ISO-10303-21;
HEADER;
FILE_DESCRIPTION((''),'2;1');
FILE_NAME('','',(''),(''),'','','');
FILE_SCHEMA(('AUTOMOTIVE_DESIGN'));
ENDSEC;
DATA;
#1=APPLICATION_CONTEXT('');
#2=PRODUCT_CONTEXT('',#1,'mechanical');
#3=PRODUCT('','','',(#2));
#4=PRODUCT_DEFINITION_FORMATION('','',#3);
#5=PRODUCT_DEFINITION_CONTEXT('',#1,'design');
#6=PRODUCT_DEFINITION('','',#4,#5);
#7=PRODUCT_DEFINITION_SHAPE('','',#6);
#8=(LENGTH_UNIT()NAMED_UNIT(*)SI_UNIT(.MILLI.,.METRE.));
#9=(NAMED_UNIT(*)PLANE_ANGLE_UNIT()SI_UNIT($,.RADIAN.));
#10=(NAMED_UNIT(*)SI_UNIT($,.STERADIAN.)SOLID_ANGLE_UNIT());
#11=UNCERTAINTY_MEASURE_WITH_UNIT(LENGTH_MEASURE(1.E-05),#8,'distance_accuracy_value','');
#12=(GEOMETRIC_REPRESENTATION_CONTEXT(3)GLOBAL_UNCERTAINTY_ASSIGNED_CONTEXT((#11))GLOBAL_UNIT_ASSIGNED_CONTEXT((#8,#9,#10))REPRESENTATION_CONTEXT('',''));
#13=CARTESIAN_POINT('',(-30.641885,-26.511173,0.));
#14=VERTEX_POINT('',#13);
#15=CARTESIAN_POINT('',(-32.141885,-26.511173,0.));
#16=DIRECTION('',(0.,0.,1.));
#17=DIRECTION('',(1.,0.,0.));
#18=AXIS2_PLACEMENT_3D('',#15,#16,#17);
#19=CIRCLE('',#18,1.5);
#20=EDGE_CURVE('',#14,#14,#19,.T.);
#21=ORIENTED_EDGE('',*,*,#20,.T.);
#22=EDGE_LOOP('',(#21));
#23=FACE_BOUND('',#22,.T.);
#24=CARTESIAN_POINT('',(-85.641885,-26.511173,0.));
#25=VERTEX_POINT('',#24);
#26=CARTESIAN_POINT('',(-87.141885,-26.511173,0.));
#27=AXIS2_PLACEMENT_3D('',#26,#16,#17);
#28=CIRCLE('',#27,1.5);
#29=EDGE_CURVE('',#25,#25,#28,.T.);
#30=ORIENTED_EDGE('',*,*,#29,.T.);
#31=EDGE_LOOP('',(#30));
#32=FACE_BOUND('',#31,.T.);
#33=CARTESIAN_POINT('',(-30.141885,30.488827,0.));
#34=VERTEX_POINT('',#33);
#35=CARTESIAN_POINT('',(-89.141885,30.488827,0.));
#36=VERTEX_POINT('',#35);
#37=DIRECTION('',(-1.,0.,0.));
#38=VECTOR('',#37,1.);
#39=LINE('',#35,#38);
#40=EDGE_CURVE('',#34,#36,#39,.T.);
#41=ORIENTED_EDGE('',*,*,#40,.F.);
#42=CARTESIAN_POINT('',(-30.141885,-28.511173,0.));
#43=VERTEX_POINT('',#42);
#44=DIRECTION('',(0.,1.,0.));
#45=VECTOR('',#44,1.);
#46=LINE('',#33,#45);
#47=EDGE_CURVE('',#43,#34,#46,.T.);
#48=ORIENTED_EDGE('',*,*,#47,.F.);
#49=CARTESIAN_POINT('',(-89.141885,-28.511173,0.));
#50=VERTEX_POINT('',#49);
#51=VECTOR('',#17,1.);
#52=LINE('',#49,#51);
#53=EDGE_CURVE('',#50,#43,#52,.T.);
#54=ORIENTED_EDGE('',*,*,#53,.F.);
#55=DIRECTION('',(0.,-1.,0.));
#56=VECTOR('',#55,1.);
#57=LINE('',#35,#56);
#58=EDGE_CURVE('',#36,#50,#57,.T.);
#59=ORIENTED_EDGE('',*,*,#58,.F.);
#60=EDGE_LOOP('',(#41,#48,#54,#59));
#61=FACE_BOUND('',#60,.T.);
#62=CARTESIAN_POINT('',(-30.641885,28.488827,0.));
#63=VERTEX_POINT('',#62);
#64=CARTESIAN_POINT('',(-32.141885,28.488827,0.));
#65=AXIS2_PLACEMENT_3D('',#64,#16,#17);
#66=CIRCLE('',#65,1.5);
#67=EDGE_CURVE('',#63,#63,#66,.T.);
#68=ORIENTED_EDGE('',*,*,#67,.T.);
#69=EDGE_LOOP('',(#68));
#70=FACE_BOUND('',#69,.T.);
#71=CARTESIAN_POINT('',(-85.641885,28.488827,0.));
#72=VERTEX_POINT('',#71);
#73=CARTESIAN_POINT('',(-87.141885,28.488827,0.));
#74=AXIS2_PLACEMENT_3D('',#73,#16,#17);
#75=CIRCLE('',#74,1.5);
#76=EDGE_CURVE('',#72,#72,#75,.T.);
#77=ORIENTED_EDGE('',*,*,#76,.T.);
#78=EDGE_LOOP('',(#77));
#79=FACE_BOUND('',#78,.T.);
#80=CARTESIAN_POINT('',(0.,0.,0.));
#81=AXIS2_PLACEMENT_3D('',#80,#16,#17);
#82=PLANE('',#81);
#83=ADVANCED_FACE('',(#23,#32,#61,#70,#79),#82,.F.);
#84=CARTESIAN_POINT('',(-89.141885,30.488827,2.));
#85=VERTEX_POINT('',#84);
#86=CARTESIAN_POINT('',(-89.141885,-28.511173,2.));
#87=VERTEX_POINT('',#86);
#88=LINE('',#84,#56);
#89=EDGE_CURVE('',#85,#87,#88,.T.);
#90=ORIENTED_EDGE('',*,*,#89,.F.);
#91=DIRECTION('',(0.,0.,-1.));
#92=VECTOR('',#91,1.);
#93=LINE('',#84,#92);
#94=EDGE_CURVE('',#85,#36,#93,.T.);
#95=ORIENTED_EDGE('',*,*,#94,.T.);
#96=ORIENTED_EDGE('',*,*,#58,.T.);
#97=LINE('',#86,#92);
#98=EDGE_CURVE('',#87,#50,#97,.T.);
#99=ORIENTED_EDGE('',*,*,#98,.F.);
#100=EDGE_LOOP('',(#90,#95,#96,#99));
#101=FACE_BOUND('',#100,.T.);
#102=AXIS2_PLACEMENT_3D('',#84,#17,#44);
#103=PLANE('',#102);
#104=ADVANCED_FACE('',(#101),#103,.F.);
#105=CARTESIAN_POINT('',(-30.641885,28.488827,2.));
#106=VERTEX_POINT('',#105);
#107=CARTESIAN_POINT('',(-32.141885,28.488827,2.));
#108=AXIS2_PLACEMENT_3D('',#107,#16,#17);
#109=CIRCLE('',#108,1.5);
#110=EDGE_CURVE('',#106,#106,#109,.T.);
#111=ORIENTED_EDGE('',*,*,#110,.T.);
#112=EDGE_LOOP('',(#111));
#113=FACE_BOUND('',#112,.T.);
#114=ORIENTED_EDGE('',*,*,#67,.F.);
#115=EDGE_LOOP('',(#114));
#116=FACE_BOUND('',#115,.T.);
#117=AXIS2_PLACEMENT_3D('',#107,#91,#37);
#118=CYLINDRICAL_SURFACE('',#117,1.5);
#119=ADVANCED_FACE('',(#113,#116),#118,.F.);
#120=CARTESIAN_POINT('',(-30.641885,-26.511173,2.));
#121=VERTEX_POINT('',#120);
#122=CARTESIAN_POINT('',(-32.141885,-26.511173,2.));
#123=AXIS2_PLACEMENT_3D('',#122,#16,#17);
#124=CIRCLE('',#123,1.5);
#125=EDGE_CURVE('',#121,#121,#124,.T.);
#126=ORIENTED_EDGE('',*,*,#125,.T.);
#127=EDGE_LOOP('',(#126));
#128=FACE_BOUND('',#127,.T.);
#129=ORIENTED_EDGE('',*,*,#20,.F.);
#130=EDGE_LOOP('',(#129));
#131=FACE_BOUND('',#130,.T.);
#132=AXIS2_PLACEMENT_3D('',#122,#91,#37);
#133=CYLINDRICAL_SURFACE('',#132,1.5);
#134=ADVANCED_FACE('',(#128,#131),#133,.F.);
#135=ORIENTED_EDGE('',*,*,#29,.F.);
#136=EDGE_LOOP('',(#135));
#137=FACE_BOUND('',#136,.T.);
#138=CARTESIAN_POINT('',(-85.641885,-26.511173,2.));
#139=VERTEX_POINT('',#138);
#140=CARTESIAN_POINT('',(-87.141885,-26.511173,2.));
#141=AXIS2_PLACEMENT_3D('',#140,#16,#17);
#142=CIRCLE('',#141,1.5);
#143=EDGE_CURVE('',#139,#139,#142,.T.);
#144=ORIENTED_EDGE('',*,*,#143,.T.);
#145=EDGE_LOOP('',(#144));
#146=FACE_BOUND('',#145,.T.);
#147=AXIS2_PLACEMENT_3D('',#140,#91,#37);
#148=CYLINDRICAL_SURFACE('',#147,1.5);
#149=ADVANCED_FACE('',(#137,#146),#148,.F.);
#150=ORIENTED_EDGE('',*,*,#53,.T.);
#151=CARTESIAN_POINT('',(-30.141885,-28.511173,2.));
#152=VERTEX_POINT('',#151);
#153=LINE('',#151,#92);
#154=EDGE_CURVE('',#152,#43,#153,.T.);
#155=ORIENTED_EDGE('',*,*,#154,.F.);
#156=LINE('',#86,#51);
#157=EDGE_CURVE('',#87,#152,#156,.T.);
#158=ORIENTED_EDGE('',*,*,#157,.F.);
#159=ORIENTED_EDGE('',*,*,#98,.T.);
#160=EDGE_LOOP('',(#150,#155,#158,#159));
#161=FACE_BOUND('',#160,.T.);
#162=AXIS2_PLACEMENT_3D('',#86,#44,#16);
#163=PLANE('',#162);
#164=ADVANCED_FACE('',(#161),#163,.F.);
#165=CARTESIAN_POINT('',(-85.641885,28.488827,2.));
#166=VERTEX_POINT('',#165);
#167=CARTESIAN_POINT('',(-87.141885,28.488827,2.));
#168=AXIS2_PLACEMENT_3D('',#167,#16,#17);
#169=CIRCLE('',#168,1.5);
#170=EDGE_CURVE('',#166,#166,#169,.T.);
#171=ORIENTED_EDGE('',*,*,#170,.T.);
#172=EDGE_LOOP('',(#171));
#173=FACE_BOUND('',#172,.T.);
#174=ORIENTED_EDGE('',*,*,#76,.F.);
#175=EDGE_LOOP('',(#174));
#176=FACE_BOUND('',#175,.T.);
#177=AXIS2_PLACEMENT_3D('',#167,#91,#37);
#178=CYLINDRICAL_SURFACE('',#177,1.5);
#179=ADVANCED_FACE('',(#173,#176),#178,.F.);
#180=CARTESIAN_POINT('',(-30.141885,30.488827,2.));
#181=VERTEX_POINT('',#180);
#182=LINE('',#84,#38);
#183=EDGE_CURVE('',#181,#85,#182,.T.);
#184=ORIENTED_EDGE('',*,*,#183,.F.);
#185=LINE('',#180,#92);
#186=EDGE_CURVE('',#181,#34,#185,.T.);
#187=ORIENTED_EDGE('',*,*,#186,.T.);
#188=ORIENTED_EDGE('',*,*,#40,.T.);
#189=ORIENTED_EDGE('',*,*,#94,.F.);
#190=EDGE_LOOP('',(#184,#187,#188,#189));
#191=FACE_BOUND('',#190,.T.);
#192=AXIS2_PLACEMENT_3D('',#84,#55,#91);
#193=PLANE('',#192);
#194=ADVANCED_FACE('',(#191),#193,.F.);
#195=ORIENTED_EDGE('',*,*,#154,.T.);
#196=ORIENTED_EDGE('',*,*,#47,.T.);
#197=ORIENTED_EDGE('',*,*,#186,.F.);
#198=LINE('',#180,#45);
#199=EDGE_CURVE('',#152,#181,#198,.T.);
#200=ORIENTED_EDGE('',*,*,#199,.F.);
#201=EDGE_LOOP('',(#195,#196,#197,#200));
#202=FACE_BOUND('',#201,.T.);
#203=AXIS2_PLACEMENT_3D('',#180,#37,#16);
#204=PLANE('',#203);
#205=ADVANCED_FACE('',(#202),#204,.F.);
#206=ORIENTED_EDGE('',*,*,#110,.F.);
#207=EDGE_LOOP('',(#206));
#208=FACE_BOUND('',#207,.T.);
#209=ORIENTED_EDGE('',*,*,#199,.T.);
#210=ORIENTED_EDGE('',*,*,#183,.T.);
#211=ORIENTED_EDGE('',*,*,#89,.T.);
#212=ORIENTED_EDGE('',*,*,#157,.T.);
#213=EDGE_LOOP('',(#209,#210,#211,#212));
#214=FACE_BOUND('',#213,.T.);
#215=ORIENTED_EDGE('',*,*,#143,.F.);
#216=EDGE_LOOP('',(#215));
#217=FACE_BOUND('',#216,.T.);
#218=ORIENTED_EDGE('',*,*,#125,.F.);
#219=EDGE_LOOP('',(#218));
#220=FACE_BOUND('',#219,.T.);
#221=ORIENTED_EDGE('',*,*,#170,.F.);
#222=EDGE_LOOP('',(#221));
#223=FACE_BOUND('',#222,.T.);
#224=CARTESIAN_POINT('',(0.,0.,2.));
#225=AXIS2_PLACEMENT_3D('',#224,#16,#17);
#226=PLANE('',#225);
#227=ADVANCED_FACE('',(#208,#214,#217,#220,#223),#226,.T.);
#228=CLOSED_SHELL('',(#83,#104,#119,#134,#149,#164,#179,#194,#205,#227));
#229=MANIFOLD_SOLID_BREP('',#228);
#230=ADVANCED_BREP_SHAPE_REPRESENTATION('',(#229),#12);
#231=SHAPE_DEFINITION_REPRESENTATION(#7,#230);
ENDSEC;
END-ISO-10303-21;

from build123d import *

# Parameters (mm, degrees)
CROQUIS1_W              = 59
CROQUIS1_H              = 59
CROQUIS1_R              = 1.5
SALIENTE_EXTRUIR3_DEPTH = 2


with BuildPart() as part:
    # Croquis1 → Saliente-Extruir3 (new body)
    with BuildSketch(Plane.XY):
        with Locations((-59.641884519, 0.988826816)):
            Rectangle(CROQUIS1_W, CROQUIS1_H)
        with Locations((-87.141884519, 28.488826816)):
            Circle(CROQUIS1_R, mode=Mode.SUBTRACT)
        with Locations((-32.141884519, 28.488826816)):
            Circle(CROQUIS1_R, mode=Mode.SUBTRACT)
        with Locations((-32.141884519, -26.511173184)):
            Circle(CROQUIS1_R, mode=Mode.SUBTRACT)
        with Locations((-87.141884519, -26.511173184)):
            Circle(CROQUIS1_R, mode=Mode.SUBTRACT)
    extrude(amount=SALIENTE_EXTRUIR3_DEPTH)


solid = part.part
